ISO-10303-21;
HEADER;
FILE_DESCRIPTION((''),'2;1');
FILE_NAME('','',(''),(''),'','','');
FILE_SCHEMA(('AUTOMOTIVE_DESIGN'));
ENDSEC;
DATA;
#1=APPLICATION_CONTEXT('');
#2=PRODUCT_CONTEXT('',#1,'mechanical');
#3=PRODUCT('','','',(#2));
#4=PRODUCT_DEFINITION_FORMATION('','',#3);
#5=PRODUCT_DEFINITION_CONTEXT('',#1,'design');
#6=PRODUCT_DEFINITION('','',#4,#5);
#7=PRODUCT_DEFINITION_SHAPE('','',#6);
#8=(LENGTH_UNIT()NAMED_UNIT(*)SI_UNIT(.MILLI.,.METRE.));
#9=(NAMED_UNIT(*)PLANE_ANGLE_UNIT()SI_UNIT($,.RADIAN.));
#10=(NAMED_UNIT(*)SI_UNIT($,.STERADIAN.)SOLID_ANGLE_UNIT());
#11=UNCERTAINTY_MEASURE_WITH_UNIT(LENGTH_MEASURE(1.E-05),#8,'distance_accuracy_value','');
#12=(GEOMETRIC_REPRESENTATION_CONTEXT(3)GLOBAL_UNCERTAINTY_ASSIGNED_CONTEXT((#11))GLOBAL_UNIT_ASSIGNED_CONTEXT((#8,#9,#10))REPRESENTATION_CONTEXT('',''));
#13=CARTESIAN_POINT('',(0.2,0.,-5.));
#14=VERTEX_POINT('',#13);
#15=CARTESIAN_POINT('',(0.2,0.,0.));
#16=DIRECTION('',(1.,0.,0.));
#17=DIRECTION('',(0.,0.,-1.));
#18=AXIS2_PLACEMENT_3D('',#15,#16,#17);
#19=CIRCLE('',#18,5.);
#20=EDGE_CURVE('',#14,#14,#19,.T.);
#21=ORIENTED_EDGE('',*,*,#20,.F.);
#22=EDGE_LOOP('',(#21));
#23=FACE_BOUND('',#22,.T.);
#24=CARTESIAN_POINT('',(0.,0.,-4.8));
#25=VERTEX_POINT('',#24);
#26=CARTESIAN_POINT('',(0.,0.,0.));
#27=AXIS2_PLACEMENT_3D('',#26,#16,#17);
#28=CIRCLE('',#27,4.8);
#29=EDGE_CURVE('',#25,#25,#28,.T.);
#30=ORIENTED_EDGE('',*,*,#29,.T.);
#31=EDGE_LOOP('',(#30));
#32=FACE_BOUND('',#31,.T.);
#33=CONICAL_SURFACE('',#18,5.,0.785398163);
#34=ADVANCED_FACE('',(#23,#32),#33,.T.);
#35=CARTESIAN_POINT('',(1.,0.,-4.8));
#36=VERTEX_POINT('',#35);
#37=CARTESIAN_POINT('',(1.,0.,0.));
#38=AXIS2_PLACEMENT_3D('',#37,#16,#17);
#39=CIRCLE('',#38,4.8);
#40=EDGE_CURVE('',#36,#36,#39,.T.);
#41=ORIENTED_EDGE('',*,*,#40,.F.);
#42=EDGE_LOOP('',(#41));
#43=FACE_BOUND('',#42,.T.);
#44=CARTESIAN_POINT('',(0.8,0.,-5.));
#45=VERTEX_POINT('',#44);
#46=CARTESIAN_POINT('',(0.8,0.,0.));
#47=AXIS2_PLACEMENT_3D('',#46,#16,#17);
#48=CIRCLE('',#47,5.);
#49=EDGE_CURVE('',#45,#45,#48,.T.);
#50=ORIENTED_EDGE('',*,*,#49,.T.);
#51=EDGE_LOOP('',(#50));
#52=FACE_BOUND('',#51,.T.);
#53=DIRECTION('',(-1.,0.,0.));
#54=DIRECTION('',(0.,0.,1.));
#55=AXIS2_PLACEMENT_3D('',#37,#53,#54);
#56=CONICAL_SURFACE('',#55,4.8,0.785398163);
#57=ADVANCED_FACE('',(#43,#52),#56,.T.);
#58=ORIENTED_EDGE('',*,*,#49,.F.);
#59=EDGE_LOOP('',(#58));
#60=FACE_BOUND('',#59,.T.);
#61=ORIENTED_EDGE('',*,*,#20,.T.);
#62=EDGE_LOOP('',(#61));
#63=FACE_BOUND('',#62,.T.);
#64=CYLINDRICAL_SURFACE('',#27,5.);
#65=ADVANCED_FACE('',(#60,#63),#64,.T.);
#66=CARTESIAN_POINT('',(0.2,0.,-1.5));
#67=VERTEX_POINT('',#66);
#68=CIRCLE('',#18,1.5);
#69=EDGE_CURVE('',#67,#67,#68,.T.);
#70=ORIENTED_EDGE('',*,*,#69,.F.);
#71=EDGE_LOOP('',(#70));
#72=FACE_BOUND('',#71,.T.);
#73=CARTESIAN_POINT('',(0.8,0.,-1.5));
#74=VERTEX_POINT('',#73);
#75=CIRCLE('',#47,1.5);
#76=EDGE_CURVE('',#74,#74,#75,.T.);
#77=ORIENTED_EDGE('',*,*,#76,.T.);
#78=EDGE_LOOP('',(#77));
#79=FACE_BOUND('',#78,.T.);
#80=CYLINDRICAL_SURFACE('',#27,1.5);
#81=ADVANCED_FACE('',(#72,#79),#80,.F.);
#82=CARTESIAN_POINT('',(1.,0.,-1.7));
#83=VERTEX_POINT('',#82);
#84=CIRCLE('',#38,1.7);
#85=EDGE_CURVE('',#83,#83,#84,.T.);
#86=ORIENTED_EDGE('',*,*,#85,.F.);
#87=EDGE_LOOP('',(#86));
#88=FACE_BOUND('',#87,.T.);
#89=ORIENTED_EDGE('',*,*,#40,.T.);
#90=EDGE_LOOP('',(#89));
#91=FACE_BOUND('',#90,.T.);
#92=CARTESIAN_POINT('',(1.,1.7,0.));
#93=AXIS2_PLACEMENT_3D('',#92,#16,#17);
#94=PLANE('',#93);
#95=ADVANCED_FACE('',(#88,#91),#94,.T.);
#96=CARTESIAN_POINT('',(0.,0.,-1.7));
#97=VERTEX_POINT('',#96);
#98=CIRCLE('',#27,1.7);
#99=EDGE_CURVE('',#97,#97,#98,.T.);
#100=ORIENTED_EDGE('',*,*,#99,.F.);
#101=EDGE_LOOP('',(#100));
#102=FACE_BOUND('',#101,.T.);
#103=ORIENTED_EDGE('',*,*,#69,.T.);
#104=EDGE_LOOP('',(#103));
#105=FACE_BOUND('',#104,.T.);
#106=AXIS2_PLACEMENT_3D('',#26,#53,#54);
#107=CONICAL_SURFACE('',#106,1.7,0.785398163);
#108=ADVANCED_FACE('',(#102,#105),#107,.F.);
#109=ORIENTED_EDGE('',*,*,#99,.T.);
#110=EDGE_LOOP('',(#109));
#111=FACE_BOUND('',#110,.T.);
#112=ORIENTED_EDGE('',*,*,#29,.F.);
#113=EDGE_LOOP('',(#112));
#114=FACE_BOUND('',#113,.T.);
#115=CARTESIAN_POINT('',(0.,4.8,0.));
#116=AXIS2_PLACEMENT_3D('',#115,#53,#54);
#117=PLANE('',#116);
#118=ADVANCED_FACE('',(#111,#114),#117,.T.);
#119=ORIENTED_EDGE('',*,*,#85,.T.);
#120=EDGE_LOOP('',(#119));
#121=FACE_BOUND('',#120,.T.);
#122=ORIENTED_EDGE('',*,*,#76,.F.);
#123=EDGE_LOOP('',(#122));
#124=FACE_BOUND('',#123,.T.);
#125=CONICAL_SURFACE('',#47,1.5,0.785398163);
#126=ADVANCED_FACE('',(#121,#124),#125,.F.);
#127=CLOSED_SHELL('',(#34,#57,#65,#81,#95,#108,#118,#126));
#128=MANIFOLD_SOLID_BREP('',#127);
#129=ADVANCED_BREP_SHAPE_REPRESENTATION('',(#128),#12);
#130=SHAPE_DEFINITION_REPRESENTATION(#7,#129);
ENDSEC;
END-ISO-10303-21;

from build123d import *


with BuildPart() as part:
    # Sketch1 → Revolve1 (revolve)
    with BuildSketch(Plane.XY):
        Polygon((0, 4.8), (0, 1.7), (0.2, 1.5), (0.8, 1.5), (1, 1.7), (1, 4.8), (0.8, 5), (0.2, 5), align=None)
    revolve(axis=Axis((0, 0, 0), (1, 0, 0)))


solid = part.part
